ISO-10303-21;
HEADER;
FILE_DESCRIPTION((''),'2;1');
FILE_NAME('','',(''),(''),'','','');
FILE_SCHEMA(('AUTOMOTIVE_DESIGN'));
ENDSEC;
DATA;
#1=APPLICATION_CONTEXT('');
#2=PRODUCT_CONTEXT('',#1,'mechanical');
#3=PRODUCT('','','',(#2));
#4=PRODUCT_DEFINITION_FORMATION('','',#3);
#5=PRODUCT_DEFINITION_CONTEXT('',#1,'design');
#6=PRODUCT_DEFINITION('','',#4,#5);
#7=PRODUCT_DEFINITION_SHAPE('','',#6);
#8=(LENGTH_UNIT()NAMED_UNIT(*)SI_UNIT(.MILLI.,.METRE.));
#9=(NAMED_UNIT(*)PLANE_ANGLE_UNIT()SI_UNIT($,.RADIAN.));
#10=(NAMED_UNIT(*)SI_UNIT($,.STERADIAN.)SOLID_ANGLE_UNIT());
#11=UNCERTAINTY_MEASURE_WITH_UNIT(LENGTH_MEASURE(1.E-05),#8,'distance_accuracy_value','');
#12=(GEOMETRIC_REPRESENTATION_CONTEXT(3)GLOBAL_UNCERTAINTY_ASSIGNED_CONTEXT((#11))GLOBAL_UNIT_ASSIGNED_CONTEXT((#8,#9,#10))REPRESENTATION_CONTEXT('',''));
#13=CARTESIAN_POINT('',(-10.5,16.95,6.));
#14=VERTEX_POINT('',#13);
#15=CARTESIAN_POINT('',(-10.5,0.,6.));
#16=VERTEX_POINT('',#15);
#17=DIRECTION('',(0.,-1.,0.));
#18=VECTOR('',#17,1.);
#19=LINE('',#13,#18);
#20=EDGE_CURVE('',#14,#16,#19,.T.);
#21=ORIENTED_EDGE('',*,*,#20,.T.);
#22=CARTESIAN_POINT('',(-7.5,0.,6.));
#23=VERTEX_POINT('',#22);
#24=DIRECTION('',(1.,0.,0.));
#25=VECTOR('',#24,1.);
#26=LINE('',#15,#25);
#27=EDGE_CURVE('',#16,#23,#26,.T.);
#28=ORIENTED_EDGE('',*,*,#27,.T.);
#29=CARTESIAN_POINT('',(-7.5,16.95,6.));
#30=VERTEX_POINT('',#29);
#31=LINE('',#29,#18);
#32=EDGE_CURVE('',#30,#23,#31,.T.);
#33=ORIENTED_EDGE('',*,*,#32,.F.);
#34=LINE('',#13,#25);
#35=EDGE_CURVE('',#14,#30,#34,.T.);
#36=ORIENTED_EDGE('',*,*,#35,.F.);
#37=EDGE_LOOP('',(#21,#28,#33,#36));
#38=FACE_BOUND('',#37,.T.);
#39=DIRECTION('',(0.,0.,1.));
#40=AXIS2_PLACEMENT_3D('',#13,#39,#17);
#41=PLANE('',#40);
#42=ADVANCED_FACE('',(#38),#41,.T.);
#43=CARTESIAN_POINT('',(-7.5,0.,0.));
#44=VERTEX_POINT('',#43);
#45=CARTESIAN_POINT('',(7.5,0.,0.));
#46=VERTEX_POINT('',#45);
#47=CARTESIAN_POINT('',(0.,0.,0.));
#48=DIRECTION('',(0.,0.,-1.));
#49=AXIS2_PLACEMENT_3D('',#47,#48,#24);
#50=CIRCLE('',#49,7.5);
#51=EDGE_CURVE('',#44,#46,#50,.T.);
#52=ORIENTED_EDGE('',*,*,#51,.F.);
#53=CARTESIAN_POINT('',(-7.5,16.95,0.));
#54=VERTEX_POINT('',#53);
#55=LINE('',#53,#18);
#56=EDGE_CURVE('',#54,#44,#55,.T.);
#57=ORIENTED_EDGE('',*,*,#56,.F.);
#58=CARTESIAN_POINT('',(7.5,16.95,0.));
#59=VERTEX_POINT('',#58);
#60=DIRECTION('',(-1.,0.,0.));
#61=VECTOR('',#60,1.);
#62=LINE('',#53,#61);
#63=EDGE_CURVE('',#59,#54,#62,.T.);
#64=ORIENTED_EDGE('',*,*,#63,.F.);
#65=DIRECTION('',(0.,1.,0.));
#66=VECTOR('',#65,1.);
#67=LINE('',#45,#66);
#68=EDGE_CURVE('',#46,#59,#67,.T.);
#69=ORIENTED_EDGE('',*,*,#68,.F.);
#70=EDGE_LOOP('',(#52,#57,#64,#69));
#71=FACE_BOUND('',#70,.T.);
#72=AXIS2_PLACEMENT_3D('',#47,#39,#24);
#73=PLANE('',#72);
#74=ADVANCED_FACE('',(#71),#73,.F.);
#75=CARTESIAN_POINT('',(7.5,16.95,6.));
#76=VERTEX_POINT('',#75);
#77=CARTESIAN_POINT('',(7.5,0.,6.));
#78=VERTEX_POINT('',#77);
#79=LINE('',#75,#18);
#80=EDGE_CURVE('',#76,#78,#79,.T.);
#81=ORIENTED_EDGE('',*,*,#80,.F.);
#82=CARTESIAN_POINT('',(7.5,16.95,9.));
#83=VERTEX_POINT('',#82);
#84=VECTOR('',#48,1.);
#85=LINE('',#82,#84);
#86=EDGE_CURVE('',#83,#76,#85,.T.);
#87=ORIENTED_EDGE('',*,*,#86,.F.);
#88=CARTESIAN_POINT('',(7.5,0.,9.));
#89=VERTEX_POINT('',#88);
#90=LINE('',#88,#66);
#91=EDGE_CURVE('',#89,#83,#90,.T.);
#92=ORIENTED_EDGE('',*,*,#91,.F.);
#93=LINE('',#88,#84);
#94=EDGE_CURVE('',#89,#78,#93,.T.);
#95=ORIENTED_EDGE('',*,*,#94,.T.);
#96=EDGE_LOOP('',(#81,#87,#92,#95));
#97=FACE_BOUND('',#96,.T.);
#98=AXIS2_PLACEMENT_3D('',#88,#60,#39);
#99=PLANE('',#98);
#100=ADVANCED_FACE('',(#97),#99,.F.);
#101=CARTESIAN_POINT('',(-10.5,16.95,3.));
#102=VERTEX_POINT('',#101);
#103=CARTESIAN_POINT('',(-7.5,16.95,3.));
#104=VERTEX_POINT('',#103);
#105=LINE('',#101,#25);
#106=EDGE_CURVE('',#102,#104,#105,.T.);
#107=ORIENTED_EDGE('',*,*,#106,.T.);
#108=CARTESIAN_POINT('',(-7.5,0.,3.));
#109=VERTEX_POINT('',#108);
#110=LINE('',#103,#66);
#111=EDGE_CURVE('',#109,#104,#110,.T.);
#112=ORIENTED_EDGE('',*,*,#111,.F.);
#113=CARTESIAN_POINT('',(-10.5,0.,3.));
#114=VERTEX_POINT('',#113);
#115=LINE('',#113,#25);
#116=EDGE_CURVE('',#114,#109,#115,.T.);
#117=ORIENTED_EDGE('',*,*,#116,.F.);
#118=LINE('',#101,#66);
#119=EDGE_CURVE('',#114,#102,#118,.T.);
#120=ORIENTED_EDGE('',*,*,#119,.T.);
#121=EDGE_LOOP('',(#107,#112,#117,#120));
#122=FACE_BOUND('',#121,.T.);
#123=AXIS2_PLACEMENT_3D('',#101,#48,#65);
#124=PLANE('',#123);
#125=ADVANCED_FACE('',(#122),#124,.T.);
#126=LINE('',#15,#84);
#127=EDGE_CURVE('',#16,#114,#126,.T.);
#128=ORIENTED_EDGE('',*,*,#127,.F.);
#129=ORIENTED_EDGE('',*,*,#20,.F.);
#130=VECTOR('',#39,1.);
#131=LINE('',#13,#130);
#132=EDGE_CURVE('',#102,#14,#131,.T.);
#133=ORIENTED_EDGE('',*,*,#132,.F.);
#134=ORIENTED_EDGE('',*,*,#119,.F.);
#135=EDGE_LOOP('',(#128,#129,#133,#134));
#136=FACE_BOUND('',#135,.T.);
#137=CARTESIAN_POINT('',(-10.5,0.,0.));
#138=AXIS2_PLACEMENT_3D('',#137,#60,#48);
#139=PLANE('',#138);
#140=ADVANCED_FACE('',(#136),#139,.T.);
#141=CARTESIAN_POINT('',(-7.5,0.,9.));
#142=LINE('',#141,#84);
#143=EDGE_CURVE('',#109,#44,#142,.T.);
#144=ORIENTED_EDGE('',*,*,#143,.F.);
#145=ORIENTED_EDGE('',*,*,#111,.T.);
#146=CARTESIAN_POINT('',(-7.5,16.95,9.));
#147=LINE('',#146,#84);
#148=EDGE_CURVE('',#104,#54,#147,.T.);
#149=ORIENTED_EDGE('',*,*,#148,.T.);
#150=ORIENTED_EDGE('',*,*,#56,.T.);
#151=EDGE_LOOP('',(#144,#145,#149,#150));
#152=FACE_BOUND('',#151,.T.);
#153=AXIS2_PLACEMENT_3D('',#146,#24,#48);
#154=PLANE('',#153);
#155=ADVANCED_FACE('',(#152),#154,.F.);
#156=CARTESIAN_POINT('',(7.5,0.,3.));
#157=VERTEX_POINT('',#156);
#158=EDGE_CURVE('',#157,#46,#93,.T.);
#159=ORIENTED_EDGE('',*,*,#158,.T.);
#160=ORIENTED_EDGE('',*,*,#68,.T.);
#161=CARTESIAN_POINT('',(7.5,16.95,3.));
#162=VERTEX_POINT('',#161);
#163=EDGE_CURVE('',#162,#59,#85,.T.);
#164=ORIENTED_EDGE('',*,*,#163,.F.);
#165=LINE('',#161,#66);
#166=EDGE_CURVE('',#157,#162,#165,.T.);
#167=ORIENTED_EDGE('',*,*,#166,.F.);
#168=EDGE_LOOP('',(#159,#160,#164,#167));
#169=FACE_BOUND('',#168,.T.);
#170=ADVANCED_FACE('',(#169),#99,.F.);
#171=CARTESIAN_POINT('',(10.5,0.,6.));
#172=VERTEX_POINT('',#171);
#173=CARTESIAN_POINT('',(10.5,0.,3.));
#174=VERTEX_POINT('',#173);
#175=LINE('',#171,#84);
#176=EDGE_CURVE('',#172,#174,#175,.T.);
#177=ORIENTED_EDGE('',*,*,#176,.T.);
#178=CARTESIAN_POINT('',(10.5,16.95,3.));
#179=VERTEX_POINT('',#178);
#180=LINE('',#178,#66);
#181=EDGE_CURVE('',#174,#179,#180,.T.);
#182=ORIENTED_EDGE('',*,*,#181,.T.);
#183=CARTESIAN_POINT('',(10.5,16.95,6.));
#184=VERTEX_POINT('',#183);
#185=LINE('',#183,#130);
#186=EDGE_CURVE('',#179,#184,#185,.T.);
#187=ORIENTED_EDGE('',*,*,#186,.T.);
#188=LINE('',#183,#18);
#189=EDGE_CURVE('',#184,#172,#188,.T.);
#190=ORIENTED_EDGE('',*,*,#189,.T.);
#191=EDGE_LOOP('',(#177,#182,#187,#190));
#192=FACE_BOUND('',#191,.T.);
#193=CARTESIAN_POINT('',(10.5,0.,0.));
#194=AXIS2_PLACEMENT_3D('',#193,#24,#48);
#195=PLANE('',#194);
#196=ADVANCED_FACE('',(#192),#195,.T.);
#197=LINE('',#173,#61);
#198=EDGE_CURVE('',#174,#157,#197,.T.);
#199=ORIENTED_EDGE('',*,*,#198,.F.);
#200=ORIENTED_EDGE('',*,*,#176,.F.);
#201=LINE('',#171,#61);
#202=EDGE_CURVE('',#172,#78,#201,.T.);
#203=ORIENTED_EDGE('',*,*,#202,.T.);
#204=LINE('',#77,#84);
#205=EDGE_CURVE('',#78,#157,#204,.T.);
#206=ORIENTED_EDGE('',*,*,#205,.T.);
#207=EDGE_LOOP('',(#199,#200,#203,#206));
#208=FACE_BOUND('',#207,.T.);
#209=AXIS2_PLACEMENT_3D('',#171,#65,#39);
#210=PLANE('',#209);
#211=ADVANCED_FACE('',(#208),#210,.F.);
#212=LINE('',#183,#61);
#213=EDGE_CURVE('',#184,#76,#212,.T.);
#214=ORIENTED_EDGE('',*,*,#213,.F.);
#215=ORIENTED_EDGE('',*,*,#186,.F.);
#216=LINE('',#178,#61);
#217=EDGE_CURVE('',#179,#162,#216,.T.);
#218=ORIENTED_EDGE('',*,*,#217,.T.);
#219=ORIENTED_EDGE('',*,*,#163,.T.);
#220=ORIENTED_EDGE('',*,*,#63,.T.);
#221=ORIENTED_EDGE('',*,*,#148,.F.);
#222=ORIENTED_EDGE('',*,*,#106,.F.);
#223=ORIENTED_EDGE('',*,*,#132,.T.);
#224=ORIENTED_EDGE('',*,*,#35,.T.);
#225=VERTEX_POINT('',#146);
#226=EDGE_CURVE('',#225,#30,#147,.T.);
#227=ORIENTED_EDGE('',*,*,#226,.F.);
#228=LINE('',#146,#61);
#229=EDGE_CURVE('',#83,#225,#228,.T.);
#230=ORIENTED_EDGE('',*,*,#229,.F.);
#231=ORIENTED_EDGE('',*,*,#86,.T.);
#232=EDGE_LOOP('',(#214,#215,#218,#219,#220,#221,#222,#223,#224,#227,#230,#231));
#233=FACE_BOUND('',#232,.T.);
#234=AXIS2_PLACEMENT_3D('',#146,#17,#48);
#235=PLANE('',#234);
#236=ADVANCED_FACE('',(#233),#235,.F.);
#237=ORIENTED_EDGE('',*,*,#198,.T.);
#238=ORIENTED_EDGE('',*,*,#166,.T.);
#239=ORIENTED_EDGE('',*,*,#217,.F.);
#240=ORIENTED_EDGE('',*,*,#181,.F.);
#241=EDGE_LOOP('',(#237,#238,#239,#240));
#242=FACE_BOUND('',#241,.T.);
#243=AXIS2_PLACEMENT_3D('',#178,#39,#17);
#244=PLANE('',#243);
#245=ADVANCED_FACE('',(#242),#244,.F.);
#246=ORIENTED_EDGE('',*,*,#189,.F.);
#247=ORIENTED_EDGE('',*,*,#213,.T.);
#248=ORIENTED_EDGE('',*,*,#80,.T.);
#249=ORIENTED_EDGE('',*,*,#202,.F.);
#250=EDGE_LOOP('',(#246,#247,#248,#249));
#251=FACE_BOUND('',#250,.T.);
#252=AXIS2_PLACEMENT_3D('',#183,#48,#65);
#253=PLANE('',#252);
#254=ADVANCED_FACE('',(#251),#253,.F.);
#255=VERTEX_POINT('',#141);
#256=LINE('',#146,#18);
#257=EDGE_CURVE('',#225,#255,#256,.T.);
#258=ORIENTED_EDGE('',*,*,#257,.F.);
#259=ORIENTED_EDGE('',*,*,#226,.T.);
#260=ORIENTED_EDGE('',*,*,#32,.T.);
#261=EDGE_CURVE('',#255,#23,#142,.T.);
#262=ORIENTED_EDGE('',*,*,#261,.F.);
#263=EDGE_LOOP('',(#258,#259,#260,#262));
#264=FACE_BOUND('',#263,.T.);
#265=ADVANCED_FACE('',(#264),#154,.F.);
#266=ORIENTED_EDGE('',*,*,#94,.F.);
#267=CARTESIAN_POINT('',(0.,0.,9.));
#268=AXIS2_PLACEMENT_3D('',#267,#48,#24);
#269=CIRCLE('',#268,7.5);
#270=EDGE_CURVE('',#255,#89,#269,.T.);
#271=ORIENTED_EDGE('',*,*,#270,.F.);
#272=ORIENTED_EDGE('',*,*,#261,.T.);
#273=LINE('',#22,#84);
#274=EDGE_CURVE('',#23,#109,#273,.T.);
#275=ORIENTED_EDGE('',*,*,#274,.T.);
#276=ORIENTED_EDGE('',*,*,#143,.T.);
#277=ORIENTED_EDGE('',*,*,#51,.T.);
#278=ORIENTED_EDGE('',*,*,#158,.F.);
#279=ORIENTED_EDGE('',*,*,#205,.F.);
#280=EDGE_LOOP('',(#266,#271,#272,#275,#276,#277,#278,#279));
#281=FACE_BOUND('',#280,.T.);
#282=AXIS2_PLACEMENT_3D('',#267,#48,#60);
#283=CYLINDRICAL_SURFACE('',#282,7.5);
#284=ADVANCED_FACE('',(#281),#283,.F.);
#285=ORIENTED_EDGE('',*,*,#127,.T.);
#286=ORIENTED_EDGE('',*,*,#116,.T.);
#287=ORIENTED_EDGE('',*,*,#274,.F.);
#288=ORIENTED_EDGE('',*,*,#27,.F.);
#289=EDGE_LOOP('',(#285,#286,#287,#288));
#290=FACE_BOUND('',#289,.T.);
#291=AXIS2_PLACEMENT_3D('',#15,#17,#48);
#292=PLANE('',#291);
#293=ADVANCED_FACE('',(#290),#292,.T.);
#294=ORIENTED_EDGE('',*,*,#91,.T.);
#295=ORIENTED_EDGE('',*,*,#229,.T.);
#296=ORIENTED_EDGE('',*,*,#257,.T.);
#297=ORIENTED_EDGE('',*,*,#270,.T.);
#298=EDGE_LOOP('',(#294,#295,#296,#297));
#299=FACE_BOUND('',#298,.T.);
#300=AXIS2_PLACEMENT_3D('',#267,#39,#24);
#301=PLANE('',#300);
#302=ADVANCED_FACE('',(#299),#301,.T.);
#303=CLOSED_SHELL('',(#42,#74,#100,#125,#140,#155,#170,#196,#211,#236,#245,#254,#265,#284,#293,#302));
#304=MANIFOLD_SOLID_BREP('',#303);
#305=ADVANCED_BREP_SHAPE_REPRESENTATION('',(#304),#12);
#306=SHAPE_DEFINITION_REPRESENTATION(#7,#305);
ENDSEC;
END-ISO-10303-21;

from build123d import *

# Parameters (mm, degrees)
EXTRUDE1_DEPTH = 9
SKETCH2_W      = 3
SKETCH2_H      = 16.95
EXTRUDE2_DEPTH = 3


with BuildPart() as part:
    # Sketch1 → Extrude1 (new body)
    with BuildSketch(Plane.XY):
        with BuildLine():
            Line((7.5, 0), (7.5, 16.95))
            Line((7.5, 16.95), (-7.5, 16.95))
            Line((-7.5, 16.95), (-7.5, 0))
            ThreePointArc((-7.5, 0), (0, 7.5), (7.5, 0))
        make_face()
    extrude(amount=EXTRUDE1_DEPTH)

    # Sketch2 → Extrude2 (add)
    with BuildSketch(Plane(origin=(7.5, 0, 0), x_dir=(0, 0, -1), z_dir=(1, 0, 0))):
        with Locations((-4.5, 8.475)):
            Rectangle(SKETCH2_W, SKETCH2_H)
    extrude2 = extrude(amount=EXTRUDE2_DEPTH)

    # Mirror1: Extrude2 across plane
    add(extrude2.mirror(Plane.ZY))


solid = part.part
